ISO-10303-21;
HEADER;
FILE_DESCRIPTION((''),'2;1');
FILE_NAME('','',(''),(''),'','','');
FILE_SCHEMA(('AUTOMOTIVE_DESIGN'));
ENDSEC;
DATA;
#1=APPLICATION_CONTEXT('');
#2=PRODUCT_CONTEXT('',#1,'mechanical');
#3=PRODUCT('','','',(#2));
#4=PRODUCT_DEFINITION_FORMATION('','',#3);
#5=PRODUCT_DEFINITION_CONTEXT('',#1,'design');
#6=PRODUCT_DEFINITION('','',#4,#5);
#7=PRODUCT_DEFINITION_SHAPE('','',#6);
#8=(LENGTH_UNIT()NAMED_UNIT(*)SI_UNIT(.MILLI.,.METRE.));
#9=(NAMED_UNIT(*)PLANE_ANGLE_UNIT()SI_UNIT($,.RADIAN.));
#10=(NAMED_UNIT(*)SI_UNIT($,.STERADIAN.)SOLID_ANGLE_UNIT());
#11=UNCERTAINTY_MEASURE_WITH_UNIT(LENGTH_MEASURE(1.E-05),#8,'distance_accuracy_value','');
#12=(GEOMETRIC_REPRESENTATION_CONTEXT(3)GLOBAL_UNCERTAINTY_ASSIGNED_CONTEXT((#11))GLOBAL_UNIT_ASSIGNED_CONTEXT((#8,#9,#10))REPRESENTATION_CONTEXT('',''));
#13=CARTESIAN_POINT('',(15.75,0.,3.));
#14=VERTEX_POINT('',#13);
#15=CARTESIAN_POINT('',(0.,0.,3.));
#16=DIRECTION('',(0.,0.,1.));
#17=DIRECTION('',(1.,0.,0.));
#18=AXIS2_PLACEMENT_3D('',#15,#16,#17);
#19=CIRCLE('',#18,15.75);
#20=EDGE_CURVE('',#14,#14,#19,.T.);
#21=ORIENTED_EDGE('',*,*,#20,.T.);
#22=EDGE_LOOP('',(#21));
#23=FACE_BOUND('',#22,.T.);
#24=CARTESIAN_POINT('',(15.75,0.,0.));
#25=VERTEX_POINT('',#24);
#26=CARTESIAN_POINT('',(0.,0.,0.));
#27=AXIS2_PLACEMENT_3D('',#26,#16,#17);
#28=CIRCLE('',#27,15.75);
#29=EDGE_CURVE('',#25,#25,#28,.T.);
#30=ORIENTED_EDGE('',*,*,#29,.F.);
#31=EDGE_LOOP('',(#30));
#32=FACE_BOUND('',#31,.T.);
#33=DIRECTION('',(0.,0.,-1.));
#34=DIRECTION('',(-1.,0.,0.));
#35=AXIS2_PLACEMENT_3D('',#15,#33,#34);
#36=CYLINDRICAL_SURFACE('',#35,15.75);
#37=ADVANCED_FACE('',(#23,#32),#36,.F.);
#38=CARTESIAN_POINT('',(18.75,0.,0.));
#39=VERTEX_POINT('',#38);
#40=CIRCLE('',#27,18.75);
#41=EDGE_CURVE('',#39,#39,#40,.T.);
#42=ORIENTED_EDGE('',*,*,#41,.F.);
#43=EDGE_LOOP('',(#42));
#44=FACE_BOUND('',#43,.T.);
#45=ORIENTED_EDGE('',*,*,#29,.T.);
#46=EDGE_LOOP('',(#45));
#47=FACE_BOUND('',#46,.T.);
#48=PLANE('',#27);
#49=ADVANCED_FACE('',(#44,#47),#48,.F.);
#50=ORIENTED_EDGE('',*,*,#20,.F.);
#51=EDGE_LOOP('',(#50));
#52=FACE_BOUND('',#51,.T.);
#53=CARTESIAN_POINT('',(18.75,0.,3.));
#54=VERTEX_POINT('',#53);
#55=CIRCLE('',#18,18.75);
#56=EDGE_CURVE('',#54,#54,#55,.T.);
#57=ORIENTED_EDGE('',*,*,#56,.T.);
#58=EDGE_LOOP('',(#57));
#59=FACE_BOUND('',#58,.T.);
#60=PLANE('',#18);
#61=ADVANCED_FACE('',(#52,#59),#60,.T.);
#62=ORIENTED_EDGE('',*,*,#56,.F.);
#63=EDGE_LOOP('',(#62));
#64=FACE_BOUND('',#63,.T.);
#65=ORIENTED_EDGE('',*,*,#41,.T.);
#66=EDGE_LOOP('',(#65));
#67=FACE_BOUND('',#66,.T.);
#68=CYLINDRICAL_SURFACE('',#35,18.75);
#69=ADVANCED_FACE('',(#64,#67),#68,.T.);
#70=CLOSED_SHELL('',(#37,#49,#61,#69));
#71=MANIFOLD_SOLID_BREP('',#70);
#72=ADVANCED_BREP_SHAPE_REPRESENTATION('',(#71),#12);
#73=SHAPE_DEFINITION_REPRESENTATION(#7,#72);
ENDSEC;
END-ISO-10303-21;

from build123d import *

# Parameters (mm, degrees)
SKETCH1_R           = 18.75
SKETCH1_R_2         = 15.75
BOSS_EXTRUDE1_DEPTH = 3


with BuildPart() as part:
    # Sketch1 → Boss-Extrude1 (new body)
    with BuildSketch(Plane.XY):
        Circle(SKETCH1_R)
        Circle(SKETCH1_R_2, mode=Mode.SUBTRACT)
    extrude(amount=BOSS_EXTRUDE1_DEPTH)


solid = part.part
